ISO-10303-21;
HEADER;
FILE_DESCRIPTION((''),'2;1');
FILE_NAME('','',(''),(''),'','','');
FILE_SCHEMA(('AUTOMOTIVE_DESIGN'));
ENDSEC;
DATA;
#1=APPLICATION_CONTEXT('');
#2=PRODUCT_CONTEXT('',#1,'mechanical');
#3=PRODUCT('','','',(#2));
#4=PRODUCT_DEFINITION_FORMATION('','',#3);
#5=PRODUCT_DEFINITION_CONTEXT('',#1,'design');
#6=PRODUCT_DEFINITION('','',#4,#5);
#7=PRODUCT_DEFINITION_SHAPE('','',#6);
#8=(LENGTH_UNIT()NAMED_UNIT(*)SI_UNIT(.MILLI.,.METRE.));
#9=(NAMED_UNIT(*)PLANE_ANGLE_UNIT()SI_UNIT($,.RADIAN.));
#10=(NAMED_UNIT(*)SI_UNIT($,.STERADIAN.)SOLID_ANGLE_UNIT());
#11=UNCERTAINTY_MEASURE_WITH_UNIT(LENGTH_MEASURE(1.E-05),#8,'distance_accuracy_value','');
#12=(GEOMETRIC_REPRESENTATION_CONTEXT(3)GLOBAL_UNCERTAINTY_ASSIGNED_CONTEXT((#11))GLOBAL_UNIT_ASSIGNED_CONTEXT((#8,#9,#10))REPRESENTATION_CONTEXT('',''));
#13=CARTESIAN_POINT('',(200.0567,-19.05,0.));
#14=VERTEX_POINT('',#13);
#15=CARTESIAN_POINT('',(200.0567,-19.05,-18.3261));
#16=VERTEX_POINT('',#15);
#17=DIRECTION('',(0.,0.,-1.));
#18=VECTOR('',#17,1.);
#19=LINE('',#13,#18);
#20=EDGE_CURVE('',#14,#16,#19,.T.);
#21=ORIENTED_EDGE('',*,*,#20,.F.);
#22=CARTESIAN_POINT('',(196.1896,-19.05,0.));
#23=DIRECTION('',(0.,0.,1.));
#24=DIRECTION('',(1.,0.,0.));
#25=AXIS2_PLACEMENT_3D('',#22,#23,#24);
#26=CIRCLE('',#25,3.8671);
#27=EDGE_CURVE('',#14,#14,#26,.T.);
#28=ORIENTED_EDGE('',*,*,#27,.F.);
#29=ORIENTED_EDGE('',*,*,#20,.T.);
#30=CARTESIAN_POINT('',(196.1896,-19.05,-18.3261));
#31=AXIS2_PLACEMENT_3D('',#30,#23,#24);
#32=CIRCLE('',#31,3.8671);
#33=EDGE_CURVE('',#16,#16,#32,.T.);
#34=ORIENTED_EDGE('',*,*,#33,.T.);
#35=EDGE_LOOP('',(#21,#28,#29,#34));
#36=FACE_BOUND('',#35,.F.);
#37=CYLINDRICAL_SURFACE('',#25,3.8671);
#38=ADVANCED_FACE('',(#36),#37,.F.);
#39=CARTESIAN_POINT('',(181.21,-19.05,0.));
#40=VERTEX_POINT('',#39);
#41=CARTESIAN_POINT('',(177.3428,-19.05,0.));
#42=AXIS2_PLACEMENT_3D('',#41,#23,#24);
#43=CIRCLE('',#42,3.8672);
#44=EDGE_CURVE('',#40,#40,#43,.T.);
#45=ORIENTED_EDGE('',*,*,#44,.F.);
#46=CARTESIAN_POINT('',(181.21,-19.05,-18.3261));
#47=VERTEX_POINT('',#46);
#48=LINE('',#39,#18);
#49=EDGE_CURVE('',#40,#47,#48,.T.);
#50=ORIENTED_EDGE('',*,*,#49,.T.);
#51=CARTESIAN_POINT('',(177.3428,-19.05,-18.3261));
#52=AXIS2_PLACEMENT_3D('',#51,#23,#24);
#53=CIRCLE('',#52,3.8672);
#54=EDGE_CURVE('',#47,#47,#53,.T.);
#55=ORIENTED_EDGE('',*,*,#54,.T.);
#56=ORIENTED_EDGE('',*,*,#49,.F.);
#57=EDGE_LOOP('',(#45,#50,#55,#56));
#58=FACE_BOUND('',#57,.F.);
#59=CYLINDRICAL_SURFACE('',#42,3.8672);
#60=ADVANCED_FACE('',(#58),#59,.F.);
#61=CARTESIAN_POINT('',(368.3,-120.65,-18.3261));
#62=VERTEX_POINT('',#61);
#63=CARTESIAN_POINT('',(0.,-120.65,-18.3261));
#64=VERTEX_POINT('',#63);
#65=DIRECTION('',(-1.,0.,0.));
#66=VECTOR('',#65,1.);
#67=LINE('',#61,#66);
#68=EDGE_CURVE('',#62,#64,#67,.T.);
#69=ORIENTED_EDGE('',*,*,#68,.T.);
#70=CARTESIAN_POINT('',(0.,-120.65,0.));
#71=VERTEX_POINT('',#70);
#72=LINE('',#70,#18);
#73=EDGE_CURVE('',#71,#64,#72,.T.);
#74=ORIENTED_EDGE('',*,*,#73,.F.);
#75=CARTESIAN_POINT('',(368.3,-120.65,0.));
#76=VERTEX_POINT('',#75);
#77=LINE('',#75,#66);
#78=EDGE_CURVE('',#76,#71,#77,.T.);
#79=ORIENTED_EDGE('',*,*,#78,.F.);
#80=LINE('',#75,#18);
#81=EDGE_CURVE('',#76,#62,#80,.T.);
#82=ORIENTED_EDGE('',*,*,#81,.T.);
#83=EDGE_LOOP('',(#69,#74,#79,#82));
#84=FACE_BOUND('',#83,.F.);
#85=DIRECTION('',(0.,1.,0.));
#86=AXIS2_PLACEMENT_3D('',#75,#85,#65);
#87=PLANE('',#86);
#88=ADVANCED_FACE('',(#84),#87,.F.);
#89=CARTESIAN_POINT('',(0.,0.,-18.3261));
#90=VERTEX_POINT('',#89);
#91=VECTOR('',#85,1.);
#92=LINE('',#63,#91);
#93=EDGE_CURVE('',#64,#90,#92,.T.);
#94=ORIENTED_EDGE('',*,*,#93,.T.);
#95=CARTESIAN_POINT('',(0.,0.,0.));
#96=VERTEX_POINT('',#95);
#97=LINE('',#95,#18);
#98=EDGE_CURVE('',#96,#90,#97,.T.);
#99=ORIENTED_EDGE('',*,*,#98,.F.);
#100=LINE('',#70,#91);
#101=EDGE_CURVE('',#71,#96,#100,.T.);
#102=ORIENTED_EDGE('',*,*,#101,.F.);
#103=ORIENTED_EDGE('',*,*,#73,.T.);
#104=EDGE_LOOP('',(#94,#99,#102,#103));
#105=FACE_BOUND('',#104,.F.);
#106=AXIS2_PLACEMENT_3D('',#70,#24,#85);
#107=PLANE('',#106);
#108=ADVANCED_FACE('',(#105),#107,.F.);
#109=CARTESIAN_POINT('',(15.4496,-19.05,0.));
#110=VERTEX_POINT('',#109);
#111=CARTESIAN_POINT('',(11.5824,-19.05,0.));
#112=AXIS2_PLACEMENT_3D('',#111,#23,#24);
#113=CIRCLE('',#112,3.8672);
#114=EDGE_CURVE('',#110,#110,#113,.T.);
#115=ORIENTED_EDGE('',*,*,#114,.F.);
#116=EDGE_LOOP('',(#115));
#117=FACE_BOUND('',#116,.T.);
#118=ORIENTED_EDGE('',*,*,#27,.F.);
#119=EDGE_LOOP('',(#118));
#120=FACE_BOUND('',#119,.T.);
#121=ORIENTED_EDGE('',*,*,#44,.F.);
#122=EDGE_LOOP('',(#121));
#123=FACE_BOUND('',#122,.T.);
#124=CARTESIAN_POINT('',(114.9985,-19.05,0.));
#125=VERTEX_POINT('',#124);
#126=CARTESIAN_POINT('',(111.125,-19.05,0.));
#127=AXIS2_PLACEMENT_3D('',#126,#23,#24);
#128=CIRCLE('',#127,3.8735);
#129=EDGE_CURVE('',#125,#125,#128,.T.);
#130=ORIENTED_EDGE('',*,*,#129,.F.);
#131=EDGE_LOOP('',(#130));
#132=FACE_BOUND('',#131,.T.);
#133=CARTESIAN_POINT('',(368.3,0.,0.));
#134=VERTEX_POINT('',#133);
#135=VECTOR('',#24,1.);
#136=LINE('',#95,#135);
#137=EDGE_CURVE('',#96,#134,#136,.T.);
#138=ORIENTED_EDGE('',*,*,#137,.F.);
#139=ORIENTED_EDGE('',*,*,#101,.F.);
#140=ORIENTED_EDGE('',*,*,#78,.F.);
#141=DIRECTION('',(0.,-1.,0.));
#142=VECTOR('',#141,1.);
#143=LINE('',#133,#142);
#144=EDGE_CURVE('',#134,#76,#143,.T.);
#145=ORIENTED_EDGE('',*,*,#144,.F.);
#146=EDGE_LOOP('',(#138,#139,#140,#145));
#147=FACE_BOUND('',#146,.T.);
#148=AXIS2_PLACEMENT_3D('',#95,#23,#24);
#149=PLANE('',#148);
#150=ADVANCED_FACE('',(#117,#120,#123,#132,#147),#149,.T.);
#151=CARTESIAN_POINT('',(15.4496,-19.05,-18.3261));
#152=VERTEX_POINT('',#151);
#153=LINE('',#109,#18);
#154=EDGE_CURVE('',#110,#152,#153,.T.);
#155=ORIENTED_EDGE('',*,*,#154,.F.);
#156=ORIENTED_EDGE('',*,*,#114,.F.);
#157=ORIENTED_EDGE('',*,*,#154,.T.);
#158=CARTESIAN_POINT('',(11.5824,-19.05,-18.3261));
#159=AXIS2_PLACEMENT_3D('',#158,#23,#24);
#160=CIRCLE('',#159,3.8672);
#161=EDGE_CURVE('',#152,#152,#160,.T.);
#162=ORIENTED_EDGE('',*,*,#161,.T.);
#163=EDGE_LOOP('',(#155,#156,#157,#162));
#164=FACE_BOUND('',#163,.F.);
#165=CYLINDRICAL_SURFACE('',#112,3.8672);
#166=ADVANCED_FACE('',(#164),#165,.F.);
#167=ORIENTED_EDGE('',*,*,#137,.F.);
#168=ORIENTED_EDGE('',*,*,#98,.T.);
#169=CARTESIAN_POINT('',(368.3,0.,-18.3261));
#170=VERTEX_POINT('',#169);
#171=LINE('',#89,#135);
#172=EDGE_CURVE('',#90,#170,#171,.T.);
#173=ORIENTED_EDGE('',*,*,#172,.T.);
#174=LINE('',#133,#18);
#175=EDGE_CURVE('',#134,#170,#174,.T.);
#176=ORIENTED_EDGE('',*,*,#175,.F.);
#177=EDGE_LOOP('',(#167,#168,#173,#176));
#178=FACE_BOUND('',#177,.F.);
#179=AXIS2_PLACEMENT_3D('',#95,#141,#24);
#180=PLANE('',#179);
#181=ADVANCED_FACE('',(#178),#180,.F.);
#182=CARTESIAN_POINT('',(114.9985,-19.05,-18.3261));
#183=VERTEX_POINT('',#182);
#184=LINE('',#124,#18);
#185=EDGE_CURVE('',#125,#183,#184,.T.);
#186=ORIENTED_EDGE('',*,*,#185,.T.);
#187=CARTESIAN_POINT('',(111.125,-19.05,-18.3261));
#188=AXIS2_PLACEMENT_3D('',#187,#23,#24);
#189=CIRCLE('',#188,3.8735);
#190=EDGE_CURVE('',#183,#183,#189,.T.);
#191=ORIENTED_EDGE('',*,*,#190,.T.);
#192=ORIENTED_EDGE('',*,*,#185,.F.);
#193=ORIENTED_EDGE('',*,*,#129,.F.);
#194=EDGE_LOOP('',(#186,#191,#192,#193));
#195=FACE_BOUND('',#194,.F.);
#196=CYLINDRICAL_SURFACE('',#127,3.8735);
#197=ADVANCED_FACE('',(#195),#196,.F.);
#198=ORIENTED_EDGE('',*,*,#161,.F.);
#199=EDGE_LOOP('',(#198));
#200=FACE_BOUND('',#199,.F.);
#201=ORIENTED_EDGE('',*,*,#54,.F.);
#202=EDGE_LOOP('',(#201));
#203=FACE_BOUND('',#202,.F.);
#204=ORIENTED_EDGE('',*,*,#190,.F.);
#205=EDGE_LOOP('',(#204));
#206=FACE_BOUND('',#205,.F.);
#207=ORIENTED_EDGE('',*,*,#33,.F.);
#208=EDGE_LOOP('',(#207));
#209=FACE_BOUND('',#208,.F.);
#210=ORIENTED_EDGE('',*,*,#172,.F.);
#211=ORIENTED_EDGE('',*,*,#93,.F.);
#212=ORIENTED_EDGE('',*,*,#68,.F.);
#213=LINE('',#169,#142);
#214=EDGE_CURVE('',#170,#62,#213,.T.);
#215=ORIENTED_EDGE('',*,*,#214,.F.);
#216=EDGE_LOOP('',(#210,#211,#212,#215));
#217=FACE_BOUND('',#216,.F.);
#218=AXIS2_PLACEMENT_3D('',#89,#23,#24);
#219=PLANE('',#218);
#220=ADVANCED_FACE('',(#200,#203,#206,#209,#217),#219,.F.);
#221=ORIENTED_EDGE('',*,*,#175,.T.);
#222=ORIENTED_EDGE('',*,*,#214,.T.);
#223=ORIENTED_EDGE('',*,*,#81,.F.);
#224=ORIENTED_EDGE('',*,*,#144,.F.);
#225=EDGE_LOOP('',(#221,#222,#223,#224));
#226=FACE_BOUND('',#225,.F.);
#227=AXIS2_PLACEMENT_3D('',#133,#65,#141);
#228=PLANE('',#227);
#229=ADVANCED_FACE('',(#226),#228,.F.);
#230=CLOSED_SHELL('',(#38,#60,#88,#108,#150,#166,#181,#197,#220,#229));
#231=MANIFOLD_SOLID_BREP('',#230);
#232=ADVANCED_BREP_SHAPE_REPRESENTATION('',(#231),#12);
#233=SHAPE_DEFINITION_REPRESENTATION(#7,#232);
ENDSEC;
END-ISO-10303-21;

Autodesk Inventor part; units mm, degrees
ref_plane "YZ Plane" through (0, 0, 0) normal (1, 0, 0) x (0, 1, 0)
ref_plane "XZ Plane" through (0, 0, 0) normal (0, 1, 0) x (-1, 0, 0)
ref_plane "XY Plane" through (0, 0, 0) normal (0, 0, 1) x (1, 0, 0)
sketch "Sketch1" plane through (0, 0, 0) normal (0, 0, 1) x (1, 0, 0)
  line L0 (0, 0) -> (368.3, 0)
  line L1 (368.3, 0) -> (368.3, -120.65)
  line L2 (368.3, -120.65) -> (0, -120.65)
  line L3 (0, -120.65) -> (0, 0)
  circle A0 centre (11.5824, -19.05) radius 3.8672
  circle A1 centre (111.125, -19.05) radius 3.8735
  circle A2 centre (177.3428, -19.05) radius 3.8672
  circle A3 centre (196.1896, -19.05) radius 3.8671
  dimension "d0" = 368.3
  dimension "d1" = 120.65
  dimension "d2" = 7.7343
  dimension "d3" = 101.6
  dimension "d4" = 11.5824
  dimension "d5" = 7.747
  dimension "d6" = 101.6
  dimension "d7" = 99.5426
  dimension "d8" = 7.7343
  dimension "d10" = 66.2178
  dimension "d11" = 7.7343
  dimension "d13" = 18.8468
  dimension "d16" = 101.6
  dimension "d17" = 101.6
extrude "Extrusion1" add sketch "Sketch1" against normal blind 18.3261
properties part number "Kermit bumper (medium 3)"
